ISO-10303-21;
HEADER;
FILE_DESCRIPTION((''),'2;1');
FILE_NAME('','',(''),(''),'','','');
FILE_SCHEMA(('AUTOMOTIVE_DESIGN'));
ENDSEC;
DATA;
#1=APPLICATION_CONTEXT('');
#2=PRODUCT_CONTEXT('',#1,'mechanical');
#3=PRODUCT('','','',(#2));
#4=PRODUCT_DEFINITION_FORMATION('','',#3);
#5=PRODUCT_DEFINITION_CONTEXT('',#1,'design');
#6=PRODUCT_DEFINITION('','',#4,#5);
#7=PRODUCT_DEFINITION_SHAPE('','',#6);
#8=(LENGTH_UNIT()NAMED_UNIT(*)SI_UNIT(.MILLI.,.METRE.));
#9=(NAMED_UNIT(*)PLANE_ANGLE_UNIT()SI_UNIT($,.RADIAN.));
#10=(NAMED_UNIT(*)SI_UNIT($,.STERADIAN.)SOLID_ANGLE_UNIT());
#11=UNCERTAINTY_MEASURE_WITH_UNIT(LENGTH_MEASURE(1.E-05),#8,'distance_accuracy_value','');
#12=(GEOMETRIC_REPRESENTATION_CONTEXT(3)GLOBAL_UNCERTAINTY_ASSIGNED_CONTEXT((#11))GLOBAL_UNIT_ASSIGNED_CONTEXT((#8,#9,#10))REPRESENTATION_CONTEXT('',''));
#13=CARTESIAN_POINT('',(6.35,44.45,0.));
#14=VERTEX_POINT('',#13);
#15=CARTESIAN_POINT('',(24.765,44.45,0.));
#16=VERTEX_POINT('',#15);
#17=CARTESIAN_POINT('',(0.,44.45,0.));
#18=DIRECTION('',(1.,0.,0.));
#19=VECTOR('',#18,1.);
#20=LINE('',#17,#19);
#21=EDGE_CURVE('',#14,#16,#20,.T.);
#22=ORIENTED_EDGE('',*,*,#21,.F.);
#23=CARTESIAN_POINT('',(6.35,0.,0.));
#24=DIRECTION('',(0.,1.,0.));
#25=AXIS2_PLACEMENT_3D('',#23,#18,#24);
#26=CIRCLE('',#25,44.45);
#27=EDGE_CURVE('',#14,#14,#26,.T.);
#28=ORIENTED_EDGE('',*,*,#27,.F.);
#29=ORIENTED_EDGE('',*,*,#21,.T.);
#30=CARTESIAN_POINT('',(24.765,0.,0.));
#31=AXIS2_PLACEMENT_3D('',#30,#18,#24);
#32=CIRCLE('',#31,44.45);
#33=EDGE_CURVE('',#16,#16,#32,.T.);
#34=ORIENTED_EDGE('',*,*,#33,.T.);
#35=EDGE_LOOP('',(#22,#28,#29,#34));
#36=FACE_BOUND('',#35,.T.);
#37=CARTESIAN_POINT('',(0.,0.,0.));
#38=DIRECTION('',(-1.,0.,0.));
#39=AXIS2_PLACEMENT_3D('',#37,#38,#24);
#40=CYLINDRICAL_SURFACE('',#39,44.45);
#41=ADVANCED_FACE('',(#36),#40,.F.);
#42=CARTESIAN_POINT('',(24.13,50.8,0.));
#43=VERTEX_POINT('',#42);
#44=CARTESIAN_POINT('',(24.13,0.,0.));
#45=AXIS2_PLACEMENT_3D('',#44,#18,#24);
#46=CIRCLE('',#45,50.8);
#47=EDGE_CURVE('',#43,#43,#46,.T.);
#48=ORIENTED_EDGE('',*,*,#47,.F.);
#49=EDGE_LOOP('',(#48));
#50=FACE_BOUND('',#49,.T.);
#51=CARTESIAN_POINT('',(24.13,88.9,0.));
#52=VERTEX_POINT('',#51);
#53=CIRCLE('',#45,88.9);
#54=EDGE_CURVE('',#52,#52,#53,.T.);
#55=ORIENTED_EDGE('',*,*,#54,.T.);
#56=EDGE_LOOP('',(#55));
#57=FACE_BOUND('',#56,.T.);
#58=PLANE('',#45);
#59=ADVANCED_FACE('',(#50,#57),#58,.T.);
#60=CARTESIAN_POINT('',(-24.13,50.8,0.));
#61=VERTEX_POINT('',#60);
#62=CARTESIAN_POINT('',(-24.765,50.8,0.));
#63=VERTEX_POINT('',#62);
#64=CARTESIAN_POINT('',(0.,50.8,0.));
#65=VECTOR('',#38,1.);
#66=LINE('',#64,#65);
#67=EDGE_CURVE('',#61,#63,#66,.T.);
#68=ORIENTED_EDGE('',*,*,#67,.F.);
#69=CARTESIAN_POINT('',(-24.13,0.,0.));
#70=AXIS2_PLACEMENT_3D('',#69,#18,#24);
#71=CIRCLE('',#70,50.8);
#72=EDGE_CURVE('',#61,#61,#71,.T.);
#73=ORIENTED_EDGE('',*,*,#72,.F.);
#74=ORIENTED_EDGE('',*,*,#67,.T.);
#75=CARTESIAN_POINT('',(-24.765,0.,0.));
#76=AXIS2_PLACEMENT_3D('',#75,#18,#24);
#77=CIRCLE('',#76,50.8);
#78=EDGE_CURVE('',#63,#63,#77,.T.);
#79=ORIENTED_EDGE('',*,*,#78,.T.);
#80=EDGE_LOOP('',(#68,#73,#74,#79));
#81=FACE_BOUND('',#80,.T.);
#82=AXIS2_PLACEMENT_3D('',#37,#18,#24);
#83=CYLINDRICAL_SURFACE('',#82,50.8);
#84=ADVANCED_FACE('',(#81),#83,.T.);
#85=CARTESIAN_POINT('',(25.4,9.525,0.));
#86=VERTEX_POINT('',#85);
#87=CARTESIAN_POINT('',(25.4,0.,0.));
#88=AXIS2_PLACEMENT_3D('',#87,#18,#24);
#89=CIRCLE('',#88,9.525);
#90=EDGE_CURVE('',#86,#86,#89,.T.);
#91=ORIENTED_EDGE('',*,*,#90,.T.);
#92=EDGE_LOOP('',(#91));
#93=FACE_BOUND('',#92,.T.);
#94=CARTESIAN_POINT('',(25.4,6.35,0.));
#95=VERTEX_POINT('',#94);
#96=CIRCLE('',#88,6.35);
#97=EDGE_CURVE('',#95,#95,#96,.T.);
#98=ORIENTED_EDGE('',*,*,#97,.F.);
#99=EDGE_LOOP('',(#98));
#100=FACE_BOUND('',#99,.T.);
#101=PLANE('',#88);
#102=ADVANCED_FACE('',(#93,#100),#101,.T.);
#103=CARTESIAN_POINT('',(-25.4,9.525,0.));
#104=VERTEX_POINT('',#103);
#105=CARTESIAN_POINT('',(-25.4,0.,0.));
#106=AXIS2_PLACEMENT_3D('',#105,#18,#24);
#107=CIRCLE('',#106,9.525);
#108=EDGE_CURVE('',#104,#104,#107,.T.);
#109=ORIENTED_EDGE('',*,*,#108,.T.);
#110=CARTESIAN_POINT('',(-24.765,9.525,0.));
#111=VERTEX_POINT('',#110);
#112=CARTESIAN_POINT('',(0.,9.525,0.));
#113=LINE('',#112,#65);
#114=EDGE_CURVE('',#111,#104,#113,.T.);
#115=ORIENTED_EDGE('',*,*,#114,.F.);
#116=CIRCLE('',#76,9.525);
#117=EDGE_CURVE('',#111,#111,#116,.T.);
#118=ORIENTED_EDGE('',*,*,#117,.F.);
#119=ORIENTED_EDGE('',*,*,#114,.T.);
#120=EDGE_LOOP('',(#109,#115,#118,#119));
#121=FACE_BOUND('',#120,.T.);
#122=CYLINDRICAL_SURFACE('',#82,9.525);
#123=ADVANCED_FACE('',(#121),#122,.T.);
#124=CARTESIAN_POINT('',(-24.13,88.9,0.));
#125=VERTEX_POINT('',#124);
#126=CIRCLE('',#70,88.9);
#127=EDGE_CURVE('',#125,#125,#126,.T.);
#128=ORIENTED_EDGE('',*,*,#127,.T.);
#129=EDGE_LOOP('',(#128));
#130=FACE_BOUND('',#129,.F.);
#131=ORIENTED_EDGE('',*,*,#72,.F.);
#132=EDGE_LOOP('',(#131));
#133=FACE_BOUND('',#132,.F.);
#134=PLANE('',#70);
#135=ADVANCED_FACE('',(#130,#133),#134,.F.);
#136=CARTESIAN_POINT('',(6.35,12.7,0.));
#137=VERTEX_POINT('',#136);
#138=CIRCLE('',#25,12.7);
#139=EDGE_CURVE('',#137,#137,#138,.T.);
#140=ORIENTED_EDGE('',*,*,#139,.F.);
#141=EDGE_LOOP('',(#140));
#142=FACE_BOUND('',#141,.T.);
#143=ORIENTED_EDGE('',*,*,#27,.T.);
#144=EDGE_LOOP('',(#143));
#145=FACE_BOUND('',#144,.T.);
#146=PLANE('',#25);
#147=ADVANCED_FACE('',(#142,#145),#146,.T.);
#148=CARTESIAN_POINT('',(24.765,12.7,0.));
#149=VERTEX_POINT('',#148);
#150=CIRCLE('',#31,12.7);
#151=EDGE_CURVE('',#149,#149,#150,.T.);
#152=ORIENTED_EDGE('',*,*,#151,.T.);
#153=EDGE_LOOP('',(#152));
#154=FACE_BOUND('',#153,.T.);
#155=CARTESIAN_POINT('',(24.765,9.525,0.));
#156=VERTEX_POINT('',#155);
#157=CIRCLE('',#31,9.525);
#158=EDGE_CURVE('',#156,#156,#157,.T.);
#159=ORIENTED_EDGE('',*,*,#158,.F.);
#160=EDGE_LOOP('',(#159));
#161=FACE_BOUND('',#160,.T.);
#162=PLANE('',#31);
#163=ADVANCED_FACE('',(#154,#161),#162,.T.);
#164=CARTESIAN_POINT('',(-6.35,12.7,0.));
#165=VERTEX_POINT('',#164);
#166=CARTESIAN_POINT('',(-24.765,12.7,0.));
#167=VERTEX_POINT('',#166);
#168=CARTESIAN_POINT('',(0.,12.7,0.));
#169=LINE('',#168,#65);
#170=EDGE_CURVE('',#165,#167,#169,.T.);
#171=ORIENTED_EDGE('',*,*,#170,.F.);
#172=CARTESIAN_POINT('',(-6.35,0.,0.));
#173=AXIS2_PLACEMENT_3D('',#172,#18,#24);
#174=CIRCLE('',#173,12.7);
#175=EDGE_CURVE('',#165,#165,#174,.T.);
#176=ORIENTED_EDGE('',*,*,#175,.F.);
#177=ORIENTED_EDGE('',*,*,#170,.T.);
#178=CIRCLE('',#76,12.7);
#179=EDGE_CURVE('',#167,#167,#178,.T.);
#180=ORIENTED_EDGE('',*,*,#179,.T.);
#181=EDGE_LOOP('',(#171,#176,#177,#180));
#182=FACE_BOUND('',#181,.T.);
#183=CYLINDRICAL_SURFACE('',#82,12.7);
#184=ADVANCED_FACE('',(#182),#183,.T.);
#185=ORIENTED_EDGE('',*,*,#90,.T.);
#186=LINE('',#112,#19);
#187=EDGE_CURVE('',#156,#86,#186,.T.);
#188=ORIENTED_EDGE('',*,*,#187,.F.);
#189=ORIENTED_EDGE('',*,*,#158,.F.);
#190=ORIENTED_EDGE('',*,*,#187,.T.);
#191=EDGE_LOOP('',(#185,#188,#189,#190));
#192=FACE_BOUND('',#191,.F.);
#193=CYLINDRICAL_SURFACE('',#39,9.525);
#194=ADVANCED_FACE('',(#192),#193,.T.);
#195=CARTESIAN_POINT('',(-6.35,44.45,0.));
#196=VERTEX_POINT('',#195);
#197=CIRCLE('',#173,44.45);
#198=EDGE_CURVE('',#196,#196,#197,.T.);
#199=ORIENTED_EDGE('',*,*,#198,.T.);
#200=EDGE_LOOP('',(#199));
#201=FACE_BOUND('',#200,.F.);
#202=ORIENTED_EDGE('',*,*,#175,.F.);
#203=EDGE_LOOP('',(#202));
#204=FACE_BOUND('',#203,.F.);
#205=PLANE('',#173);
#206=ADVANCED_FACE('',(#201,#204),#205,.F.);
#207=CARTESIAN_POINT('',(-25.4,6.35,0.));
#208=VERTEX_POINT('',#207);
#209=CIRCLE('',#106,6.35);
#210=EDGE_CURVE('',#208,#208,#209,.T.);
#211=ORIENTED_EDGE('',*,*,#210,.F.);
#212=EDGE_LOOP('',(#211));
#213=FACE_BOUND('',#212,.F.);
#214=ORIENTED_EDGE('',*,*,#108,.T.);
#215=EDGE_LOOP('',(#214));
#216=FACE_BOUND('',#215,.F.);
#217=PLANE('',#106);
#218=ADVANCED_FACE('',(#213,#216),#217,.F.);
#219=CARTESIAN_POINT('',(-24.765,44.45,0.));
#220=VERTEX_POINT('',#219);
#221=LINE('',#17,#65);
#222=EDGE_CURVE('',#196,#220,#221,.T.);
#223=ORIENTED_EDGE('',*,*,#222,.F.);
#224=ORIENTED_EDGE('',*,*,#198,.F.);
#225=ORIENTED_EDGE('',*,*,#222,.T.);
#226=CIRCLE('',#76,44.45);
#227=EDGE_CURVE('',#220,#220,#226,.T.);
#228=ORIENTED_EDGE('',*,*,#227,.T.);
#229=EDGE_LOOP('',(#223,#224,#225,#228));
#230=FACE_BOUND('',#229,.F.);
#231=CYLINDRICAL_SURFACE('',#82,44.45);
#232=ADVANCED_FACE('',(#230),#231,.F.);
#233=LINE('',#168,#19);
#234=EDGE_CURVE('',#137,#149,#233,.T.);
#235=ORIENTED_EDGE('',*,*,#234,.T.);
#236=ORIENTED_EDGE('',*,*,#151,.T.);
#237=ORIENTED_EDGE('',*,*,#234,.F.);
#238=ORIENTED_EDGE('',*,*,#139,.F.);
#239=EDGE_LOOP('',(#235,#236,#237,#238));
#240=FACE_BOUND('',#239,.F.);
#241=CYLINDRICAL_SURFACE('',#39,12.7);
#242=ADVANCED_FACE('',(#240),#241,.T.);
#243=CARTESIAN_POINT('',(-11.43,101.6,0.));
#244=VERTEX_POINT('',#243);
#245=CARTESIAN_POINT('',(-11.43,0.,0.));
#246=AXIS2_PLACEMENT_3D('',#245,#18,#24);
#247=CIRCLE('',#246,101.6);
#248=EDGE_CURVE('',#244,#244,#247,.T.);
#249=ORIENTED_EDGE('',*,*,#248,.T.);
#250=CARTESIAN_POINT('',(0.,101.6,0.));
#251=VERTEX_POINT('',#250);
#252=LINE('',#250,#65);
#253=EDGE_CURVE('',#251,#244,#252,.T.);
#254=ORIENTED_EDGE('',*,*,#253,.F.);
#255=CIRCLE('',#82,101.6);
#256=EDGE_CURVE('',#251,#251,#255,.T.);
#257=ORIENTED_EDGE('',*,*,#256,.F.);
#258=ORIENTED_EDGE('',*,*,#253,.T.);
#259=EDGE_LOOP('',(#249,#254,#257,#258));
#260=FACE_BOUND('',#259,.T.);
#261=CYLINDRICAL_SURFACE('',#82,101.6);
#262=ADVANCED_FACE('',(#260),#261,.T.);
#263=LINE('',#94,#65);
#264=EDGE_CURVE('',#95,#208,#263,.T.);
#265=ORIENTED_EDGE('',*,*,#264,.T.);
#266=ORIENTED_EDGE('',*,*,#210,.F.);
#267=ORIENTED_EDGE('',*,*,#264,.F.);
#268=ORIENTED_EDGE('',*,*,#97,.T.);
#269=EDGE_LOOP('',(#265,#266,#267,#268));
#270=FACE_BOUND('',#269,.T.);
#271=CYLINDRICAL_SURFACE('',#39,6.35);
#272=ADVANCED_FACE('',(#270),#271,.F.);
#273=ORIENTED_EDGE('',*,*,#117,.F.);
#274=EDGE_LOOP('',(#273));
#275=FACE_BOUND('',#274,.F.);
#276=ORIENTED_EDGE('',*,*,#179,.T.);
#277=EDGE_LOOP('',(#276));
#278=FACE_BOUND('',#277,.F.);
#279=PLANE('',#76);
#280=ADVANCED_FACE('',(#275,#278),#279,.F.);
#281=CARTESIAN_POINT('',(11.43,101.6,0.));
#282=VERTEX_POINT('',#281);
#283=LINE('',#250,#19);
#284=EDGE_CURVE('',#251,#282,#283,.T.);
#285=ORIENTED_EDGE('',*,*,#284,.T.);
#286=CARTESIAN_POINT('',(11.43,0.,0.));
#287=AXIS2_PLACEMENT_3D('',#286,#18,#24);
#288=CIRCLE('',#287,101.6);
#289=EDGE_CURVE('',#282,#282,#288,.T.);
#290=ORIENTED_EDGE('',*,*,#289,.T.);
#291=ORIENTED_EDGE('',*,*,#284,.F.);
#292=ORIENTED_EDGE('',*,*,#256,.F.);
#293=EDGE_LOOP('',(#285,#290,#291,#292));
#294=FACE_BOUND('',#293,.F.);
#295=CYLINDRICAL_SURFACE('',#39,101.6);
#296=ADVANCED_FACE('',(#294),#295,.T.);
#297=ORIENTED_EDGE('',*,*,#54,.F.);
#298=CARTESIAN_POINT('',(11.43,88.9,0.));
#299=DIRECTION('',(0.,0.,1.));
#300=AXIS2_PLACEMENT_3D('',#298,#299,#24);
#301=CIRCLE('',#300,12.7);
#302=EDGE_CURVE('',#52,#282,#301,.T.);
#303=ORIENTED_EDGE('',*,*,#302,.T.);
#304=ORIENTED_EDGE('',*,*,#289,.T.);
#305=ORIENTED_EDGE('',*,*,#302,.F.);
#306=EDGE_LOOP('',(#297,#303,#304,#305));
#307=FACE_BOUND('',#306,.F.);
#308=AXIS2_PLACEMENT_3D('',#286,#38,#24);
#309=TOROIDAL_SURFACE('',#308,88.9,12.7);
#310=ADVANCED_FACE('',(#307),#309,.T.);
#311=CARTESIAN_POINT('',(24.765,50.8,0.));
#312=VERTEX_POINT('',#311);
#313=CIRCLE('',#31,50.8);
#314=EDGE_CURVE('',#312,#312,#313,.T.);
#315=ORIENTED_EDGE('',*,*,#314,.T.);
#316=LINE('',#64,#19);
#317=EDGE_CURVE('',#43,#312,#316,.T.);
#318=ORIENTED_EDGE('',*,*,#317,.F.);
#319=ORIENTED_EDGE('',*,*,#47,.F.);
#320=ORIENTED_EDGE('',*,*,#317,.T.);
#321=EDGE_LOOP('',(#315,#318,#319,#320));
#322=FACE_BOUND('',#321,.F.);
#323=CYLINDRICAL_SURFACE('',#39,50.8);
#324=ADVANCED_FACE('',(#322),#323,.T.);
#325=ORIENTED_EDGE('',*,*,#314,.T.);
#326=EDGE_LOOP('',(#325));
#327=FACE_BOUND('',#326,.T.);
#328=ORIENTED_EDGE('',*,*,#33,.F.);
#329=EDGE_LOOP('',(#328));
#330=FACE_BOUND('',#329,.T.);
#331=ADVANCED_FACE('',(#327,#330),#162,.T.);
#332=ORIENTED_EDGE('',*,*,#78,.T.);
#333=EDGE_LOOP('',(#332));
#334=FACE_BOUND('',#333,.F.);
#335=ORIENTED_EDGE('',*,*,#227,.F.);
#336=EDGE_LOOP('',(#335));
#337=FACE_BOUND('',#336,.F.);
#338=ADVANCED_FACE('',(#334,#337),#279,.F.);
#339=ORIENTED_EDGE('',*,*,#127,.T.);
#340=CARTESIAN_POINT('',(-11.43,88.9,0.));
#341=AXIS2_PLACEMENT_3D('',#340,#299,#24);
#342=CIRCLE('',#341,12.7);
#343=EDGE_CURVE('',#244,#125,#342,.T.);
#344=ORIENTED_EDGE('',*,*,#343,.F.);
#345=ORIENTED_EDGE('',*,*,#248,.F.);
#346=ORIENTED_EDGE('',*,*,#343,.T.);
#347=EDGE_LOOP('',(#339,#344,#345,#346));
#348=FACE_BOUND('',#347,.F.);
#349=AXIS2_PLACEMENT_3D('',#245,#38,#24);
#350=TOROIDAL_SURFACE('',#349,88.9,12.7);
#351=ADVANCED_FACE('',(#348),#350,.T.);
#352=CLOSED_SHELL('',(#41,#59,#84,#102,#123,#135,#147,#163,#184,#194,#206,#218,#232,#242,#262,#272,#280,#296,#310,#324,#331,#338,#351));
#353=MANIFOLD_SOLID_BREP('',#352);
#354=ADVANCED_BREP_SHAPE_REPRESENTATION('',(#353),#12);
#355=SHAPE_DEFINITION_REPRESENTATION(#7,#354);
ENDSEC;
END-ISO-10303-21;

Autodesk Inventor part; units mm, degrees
ref_plane "YZ Plane" through (0, 0, 0) normal (1, 0, 0) x (0, 1, 0)
ref_plane "XZ Plane" through (0, 0, 0) normal (0, 1, 0) x (-1, 0, 0)
ref_plane "XY Plane" through (0, 0, 0) normal (0, 0, 1) x (1, 0, 0)
sketch "Sketch3" plane through (0, 0, 0) normal (1, 0, 0) x (0, 1, 0)
  circle A0 centre (0, 0) radius 12.7
  circle A1 centre (0, 0) radius 50.8
  circle A2 centre (0, 0) radius 101.6
  circle A3 centre (0, 0) radius 44.45
  circle A4 centre (0, 0) radius 9.525
  circle A5 centre (0, 0) radius 6.35
  dimension "d10" = 25.4
  dimension "d11" = 101.6
  dimension "d12" = 203.2
  dimension "d13" = 88.9
  dimension "d14" = 19.05
  dimension "d15" = 12.7
extrude "Extrusion4" add sketch "Sketch3" along normal mid plane 49.53 contours A0 | A1
extrude "Extrusion5" add sketch "Sketch3" along normal mid plane 12.7 contours A3
extrude "Extrusion6" add sketch "Sketch3" along normal mid plane 48.26 contours A2
extrude "Extrusion7" add sketch "Sketch3" along normal mid plane 50.8 contours A4
fillet "Fillet1" radius 12.7 2 edges at (24.13, -101.6, 0) (-24.13, -101.6, 0)
properties part number "wheel"
